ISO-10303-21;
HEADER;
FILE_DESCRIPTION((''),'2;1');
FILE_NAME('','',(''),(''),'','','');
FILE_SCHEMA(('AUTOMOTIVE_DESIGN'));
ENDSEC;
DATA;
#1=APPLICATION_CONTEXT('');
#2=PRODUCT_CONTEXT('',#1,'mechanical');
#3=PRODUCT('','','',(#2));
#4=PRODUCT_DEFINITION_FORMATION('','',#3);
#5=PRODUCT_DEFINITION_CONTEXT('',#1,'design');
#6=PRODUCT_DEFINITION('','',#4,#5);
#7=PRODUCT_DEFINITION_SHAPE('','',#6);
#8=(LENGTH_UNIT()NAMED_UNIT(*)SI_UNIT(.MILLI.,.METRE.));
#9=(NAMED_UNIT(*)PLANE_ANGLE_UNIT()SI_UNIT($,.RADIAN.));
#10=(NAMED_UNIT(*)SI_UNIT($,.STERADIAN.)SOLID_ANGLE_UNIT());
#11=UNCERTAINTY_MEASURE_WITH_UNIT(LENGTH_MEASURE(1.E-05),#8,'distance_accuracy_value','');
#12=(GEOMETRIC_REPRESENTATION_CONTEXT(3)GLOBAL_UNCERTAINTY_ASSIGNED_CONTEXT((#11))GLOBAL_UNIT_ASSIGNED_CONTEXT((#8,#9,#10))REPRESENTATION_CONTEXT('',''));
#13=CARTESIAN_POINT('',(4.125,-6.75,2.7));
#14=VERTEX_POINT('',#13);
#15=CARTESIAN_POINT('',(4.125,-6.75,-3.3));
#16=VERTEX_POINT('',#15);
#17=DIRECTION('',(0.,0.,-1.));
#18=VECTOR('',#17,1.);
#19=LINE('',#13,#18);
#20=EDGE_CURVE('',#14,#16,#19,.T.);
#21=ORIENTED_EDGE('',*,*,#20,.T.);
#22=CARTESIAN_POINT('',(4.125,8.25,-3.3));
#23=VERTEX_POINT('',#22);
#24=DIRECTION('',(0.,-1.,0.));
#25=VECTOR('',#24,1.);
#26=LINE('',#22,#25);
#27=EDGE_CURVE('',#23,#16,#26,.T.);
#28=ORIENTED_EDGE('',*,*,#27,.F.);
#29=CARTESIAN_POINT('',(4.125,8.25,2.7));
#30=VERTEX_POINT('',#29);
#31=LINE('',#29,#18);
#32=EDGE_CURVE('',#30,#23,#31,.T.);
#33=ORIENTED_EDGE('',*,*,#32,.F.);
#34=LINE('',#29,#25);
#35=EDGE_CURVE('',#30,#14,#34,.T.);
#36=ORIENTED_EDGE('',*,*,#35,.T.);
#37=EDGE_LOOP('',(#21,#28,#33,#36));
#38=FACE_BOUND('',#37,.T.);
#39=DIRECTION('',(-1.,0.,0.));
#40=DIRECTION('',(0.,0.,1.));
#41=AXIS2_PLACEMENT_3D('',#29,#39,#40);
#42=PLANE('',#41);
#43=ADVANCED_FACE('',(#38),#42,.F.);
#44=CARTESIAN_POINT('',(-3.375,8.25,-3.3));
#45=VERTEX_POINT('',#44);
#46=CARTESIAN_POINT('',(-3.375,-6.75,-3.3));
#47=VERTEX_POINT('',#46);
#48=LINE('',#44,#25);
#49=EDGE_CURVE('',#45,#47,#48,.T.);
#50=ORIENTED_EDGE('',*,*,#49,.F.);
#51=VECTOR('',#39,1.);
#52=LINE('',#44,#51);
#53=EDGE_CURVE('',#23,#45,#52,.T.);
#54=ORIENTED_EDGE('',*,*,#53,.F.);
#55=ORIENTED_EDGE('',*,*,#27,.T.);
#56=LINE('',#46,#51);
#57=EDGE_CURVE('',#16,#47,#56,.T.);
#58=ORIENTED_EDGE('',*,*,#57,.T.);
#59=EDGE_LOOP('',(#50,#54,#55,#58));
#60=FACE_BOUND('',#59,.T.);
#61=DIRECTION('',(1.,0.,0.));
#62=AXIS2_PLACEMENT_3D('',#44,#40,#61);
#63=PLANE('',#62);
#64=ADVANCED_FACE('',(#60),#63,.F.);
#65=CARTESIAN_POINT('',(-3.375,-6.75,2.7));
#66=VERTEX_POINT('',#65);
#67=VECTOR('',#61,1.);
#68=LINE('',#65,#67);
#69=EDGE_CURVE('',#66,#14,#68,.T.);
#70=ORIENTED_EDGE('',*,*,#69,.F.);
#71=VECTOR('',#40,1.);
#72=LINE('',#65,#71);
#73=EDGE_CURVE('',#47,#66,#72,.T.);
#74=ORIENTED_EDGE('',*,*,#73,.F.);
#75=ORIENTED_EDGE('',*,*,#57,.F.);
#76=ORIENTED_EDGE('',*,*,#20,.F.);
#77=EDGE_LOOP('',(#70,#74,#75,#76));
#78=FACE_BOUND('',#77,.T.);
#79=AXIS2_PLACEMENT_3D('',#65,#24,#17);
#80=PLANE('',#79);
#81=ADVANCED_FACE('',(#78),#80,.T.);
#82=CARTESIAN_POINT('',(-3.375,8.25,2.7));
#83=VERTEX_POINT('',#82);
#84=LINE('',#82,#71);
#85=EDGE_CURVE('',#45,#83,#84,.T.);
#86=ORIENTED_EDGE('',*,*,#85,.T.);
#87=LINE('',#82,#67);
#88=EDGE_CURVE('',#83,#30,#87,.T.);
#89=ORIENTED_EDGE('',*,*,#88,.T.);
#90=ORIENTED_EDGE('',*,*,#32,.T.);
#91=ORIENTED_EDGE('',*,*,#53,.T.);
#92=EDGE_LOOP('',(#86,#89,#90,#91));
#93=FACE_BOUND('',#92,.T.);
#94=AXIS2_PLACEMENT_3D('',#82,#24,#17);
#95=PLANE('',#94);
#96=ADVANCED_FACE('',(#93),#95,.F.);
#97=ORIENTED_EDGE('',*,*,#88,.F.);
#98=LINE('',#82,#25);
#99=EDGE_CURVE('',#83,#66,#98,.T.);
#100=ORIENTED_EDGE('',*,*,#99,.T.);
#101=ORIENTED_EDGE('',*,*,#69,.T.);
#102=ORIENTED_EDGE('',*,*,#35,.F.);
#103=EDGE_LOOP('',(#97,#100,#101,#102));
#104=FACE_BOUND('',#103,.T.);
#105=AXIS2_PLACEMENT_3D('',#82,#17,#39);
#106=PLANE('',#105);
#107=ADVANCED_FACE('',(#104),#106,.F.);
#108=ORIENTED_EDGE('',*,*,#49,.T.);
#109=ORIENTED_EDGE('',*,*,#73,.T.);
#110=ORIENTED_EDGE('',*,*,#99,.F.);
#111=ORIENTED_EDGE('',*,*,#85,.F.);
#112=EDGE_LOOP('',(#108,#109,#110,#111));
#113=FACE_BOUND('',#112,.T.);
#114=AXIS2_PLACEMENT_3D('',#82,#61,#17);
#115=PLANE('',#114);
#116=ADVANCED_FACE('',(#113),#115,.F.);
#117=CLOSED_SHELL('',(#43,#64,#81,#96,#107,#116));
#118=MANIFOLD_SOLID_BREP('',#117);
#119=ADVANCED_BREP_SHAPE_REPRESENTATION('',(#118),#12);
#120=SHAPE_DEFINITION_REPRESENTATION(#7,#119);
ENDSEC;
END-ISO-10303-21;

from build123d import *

# Parameters (mm, degrees)
SKETCH1_W           = 0.75
SKETCH1_H           = 0.6
BOSS_EXTRUDE1_DEPTH = 1.5
SCALE1_SCALE        = 10


with BuildPart() as part:
    # Sketch1 → Boss-Extrude1 (new body)
    with BuildSketch(Plane(origin=(0, 0, 0), x_dir=(1, 0, 0), z_dir=(0, 1, 0))):
        with Locations((0.375, 0.3)):
            Rectangle(SKETCH1_W, SKETCH1_H)
    extrude(amount=BOSS_EXTRUDE1_DEPTH)


with BuildPart() as part_1:
    # Scale1: scaled about (0.375, 0.75, -0.3)
    add(part.part.scale(SCALE1_SCALE).moved(Location((-3.375, -6.75, 2.7))))


solid = part_1.part
